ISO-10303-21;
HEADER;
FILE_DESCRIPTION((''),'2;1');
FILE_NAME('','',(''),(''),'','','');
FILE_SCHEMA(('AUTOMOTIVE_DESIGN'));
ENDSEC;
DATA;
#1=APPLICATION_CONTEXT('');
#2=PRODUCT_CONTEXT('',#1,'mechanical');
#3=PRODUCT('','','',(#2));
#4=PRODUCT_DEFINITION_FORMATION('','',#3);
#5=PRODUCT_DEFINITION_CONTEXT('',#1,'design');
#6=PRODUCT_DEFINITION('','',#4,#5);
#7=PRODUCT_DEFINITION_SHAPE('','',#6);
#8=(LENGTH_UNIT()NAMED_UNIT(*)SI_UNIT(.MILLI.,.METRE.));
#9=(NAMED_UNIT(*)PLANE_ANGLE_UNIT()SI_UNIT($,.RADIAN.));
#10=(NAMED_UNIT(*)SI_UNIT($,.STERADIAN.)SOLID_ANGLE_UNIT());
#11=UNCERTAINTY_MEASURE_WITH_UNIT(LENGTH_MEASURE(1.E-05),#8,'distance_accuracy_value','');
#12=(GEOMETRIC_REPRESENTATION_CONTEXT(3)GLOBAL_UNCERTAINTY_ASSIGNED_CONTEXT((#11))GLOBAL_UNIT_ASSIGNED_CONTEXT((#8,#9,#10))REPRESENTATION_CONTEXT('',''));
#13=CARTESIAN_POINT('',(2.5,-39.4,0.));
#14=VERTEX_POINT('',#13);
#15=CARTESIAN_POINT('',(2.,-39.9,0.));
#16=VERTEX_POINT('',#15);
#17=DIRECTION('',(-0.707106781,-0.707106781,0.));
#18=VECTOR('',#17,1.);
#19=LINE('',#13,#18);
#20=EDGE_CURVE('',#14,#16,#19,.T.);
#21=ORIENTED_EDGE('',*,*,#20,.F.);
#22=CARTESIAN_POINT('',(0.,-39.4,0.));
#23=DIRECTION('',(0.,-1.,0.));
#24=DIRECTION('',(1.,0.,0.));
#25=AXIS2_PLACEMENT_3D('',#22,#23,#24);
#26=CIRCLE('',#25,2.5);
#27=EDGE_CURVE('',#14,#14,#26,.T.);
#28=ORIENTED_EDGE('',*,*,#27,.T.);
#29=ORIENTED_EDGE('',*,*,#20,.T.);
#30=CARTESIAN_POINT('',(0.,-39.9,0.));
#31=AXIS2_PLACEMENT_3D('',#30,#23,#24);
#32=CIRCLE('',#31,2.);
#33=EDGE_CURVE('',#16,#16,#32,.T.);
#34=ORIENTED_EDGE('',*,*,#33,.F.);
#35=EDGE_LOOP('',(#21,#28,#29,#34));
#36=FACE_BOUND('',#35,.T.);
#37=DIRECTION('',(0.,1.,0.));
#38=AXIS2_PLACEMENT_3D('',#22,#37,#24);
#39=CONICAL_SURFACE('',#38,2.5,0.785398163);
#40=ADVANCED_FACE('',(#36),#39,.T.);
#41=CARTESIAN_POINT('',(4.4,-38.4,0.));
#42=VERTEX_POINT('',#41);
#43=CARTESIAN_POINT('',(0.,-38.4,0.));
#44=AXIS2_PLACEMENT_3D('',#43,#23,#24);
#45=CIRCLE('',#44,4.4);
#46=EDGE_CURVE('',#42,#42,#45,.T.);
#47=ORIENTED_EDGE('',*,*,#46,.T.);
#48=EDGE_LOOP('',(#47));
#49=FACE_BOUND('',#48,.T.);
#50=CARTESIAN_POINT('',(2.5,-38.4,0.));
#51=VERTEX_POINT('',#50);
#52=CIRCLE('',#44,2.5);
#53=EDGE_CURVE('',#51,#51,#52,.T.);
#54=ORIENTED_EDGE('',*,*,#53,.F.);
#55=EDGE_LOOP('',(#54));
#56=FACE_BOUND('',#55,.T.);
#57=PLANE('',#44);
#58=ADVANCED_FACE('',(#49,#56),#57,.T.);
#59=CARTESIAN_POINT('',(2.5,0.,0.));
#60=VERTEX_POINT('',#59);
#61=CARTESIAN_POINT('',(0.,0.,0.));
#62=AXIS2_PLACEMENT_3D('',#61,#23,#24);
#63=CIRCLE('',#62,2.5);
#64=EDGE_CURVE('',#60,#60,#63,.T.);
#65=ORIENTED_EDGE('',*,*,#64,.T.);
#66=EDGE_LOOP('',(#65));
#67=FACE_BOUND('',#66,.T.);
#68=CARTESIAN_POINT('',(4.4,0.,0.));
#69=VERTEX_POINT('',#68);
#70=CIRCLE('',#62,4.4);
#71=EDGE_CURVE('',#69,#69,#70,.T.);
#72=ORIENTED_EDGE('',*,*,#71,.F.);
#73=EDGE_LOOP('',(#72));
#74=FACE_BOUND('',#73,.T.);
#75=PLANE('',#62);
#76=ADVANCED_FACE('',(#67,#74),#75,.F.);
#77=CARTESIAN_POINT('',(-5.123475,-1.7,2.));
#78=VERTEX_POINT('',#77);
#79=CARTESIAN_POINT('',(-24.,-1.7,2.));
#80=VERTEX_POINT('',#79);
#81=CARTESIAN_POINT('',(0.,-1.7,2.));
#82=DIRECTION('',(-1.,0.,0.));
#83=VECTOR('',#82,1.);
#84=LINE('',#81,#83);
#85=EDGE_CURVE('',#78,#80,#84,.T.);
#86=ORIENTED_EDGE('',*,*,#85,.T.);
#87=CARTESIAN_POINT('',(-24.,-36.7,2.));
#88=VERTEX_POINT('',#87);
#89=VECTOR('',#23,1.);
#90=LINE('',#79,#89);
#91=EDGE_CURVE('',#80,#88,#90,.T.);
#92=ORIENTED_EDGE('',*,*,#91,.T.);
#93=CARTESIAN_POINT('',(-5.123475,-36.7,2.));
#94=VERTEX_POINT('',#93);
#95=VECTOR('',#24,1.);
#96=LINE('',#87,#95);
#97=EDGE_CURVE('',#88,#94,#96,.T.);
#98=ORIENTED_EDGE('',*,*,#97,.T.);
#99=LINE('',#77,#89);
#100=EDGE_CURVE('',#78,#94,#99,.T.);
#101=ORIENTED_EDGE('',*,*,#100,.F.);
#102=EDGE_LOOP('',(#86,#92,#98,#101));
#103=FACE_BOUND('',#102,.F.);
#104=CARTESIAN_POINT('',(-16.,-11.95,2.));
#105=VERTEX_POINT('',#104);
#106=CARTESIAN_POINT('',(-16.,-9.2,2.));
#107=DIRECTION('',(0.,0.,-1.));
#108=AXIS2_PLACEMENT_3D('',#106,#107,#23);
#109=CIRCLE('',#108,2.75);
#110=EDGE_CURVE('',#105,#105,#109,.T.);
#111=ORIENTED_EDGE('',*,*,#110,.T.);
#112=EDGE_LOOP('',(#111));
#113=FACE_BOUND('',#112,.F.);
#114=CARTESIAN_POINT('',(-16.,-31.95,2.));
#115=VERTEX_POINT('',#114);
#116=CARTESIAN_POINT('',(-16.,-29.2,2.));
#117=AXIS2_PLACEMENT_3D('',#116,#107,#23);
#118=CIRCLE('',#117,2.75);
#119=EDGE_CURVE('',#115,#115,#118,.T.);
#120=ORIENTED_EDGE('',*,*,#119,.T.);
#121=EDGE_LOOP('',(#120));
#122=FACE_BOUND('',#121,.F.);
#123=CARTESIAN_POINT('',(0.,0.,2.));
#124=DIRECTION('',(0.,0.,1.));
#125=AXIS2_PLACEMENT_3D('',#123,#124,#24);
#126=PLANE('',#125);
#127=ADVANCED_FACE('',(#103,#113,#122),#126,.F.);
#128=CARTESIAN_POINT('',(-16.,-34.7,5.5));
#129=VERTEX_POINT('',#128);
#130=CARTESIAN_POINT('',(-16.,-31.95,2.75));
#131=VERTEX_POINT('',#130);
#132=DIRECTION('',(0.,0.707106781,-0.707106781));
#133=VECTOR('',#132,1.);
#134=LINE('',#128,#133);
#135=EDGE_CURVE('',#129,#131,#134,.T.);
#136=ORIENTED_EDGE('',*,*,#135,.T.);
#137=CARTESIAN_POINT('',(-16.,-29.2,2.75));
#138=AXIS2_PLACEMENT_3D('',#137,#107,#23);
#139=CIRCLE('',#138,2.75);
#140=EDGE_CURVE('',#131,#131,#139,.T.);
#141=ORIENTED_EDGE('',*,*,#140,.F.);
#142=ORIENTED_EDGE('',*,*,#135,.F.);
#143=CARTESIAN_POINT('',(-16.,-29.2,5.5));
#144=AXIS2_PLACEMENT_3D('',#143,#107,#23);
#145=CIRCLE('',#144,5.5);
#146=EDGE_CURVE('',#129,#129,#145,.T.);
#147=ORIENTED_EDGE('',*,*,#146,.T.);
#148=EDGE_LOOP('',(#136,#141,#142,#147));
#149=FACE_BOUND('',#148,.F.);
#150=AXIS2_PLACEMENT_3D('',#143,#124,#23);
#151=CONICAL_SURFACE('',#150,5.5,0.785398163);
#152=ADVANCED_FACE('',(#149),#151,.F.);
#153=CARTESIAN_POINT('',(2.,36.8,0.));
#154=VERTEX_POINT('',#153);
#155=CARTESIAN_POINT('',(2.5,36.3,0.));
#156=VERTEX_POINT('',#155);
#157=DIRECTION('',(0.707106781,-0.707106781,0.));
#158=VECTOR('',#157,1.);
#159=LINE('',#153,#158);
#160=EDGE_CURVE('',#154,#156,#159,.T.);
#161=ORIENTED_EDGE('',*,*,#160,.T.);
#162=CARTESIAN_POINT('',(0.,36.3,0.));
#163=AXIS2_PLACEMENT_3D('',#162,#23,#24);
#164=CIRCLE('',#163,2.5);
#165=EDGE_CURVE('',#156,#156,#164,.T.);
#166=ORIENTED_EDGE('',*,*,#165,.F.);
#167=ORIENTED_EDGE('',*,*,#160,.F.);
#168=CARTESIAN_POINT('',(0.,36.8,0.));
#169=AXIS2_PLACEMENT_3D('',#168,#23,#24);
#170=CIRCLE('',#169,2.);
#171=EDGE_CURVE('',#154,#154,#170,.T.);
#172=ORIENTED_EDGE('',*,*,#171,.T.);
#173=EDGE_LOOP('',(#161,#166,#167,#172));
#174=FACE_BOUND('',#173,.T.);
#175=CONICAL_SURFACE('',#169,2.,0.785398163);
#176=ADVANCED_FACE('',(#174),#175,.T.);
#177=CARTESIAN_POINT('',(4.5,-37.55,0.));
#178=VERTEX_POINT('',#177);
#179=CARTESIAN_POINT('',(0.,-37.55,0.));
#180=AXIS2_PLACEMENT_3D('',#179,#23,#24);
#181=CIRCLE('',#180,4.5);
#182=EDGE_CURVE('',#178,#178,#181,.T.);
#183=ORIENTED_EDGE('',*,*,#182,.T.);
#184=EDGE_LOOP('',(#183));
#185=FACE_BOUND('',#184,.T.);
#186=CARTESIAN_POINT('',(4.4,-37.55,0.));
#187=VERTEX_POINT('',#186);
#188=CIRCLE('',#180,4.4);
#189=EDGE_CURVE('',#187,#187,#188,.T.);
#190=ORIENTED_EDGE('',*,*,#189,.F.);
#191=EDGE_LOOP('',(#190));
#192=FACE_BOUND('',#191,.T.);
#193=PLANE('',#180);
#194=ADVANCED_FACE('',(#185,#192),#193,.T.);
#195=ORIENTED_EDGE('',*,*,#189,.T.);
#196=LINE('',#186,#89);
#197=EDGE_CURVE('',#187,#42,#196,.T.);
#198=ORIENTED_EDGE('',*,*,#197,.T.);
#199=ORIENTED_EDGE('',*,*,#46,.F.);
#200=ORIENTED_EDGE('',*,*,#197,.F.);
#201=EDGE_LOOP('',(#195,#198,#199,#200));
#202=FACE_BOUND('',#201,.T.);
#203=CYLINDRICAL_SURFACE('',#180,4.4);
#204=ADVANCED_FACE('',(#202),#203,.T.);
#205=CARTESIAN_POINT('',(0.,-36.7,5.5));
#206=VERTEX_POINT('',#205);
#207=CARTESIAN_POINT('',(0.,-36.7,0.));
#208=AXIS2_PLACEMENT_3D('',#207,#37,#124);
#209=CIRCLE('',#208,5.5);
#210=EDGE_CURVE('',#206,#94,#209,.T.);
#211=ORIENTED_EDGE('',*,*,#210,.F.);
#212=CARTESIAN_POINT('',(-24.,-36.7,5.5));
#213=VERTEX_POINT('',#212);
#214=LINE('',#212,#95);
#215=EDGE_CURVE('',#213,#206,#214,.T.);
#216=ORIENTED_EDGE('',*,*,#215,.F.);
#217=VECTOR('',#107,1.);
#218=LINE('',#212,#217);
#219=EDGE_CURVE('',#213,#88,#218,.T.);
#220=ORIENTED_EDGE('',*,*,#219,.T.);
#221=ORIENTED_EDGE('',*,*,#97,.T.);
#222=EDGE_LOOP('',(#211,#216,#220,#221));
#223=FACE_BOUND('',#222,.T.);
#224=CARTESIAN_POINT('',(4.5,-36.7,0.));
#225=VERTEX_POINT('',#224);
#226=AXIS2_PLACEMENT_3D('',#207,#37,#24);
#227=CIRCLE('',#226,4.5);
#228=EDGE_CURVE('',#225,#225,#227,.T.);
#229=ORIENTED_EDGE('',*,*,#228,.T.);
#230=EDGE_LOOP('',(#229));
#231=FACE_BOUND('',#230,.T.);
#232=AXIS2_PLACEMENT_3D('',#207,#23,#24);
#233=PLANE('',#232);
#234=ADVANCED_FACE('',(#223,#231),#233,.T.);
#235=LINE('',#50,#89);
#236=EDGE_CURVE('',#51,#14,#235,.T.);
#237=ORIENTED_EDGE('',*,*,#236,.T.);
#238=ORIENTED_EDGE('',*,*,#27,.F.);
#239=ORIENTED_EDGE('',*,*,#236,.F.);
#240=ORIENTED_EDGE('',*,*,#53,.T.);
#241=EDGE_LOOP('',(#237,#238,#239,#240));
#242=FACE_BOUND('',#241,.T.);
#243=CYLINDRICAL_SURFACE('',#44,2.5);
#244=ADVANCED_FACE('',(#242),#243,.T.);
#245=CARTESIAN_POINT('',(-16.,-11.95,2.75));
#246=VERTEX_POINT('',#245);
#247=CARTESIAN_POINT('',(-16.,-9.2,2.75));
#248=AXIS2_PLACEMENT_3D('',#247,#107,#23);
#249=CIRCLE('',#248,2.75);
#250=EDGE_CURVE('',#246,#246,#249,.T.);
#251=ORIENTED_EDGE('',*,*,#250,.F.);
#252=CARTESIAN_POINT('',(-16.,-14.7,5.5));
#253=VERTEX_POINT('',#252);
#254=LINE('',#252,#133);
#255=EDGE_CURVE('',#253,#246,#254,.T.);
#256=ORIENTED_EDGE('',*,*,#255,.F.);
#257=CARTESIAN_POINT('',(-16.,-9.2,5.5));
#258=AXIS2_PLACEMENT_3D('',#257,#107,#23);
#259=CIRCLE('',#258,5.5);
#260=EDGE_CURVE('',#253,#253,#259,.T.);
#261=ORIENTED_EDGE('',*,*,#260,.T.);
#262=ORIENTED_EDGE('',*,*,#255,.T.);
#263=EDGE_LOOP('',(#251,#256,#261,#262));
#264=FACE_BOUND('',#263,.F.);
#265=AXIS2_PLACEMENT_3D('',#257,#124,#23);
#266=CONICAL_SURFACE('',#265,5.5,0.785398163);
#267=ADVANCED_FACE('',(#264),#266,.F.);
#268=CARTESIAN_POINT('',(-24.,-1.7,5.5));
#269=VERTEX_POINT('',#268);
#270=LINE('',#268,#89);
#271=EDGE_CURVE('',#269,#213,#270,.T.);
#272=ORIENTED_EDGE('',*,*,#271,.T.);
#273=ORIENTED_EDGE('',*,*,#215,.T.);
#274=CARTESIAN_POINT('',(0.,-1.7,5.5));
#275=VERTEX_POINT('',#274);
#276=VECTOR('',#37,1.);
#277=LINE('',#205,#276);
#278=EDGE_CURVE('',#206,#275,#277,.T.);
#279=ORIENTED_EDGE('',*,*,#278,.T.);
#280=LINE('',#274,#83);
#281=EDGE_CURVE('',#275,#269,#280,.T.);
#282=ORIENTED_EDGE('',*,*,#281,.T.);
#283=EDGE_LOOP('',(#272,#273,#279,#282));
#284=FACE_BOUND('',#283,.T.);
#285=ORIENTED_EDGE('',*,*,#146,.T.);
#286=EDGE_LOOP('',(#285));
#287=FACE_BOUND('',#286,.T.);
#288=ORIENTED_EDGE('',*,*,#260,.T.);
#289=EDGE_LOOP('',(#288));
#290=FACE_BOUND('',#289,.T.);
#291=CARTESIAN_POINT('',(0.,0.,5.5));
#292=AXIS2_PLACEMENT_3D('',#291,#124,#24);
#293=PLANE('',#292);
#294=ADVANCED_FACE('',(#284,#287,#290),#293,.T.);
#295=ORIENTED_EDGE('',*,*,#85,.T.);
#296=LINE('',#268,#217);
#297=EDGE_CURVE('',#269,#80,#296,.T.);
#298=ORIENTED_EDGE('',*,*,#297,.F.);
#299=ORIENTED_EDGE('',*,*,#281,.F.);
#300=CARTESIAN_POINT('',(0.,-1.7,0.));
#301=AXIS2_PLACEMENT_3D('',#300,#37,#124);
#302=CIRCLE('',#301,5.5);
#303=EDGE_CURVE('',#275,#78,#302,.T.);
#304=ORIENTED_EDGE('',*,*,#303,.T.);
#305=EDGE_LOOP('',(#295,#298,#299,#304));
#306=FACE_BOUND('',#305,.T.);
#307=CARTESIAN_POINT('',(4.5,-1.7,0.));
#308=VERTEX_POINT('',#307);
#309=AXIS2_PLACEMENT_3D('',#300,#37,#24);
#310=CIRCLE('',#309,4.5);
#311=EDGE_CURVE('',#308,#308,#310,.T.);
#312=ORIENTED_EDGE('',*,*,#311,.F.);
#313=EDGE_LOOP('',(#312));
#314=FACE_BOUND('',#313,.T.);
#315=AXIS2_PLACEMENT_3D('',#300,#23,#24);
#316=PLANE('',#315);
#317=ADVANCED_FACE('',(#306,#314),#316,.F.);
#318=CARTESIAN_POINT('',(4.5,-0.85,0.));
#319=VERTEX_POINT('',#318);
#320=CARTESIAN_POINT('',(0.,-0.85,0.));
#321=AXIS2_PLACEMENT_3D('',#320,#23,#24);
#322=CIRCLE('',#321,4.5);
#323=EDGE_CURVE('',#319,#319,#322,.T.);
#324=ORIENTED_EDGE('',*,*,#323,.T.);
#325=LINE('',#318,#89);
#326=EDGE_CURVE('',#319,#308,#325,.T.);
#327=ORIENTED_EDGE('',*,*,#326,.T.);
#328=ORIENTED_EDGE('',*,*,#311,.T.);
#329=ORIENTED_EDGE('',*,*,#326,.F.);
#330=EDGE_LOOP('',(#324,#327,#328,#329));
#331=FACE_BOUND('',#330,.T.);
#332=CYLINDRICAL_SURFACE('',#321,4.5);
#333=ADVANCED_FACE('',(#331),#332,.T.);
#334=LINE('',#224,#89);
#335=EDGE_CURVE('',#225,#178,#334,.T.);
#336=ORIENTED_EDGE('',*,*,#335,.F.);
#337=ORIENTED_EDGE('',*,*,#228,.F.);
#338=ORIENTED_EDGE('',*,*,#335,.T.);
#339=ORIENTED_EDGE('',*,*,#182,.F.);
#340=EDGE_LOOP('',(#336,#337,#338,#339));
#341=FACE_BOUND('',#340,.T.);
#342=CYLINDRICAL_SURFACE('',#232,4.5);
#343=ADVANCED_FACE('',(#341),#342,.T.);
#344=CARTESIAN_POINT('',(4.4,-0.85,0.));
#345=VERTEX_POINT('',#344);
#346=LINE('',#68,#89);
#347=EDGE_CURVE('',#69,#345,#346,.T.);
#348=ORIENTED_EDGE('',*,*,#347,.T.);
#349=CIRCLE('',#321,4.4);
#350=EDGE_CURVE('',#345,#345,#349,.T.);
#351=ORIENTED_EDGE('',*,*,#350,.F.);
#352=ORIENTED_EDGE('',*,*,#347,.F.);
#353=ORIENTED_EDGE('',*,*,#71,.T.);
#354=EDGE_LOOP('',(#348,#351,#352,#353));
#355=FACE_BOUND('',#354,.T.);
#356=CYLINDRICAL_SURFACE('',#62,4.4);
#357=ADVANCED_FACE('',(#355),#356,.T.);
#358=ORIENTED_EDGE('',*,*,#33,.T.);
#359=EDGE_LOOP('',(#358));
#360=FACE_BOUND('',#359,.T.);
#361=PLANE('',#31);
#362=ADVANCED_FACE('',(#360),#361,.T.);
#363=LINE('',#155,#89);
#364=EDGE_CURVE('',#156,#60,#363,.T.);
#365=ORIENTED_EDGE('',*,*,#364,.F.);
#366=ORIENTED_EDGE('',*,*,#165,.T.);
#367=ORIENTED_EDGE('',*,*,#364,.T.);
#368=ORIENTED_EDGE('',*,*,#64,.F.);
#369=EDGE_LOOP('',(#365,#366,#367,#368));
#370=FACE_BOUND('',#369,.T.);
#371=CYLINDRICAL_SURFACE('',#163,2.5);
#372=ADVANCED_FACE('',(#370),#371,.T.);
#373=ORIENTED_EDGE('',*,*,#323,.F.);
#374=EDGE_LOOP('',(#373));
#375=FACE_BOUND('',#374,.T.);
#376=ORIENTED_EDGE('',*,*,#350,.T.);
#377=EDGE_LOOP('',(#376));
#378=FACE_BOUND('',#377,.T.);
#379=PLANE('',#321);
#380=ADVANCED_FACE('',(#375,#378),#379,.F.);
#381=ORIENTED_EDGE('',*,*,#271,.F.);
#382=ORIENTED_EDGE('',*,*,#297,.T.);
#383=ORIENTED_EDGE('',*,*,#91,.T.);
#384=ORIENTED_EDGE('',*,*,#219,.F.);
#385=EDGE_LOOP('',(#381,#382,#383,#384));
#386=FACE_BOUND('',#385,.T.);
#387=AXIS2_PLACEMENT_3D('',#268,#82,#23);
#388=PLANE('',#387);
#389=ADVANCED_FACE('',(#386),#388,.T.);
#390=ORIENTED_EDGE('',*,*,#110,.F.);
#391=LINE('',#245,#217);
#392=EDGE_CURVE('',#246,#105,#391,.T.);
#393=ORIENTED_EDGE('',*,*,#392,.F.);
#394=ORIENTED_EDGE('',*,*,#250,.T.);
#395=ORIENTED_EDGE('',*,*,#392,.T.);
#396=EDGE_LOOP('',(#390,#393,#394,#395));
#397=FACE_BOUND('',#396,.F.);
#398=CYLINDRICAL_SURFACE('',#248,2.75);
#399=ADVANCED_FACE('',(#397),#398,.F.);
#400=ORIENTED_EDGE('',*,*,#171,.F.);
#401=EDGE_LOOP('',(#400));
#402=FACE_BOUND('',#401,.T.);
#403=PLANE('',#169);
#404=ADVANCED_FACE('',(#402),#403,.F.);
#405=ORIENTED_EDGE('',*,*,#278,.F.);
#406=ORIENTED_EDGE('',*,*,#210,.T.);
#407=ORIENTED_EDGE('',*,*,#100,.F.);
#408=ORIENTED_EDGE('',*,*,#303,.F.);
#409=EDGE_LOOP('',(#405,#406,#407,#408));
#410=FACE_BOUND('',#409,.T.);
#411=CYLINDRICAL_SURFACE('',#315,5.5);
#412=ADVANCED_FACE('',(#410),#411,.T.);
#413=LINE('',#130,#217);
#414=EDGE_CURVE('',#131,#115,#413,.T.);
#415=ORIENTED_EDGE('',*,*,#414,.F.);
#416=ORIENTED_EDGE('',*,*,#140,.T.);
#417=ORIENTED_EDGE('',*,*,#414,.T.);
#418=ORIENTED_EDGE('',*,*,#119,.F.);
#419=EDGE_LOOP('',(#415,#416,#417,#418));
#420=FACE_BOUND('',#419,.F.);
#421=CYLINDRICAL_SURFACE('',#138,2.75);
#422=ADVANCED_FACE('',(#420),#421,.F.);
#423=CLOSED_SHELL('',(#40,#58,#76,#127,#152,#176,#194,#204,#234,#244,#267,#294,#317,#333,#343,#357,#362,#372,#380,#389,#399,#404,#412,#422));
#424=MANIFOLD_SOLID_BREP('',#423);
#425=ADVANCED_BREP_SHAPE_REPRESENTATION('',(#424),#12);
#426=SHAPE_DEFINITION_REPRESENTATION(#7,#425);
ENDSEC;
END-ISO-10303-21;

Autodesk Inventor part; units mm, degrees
sketch "Sketch_1" plane through (0, 0, 0) normal (0, 0, 1) x (1, 0, 0)
  line L0 (0, -39.9) -> (0, 36.8)
  line L1 (0, 36.8) -> (2, 36.8)
  line L2 (2, 36.8) -> (2.5, 36.3)
  line L3 (2.5, 36.3) -> (2.5, 0)
  line L4 (2.5, 0) -> (4.4, 0)
  line L5 (4.4, 0) -> (4.4, -0.85)
  line L6 (4.4, -0.85) -> (4.5, -0.85)
  line L7 (4.5, -0.85) -> (4.5, -1.7)
  line L8 (4.5, -1.7) -> (5.5, -1.7)
  line L9 (5.5, -1.7) -> (5.5, -36.7)
  line L10 (5.5, -36.7) -> (4.5, -36.7)
  line L11 (4.5, -36.7) -> (4.5, -37.55)
  line L12 (4.5, -37.55) -> (4.4, -37.55)
  line L13 (4.4, -37.55) -> (4.4, -38.4)
  line L14 (4.4, -38.4) -> (2.5, -38.4)
  line L15 (2.5, -38.4) -> (2.5, -39.4)
  line L16 (2.5, -39.4) -> (2, -39.9)
  line L17 (2, -39.9) -> (0, -39.9)
  line L18 (0, -39.9) -> (0, 36.8)
revolve "Revolution1" add sketch "Sketch_1" angle 360 about axis through (0, -39.9, 0) along (0, -1, 0)
sketch "Sketch_3" plane through (0, 0, 5.5) normal (0, 0, 1) x (1, 0, 0)
  line L0 (-24, -36.7) -> (0, -36.7)
  line L1 (0, -36.7) -> (0, -1.7)
  line L2 (0, -1.7) -> (-24, -1.7)
  line L3 (-24, -1.7) -> (-24, -36.7)
extrude "Extrusion1" add sketch "Sketch_3" against normal blind 3.5
sketch "Sketch3" plane through (0, 0, 5.5) normal (0, 0, 1) x (1, 0, 0)
  point P0 (-16, -9.2)
hole "Hole1" at (-16, -9.2, 5.5) direction (0, 0, -1) diameter 5.5 depth 3.5 countersink diameter 11 countersink angle 90
sketch "Sketch4" plane through (0, 0, 5.5) normal (0, 0, 1) x (1, 0, 0)
  point P0 (-16, -29.2)
hole "Hole2" at (-16, -29.2, 5.5) direction (0, 0, -1) diameter 5.5 depth 3.5 countersink diameter 11 countersink angle 90
ref_plane "1_XY" through (0, 0, 0) normal (0, 1, 0) x (1, 0, 0)
ref_plane "1_YZ" through (0, 0, 0) normal (1, 0, 0) x (0, 0, -1)
ref_plane "1_ZX" through (0, 0, 0) normal (0, 0, -1) x (0, 1, 0)
ref_plane "to_bolt1_XY" through (16, -9.2, 5.5) normal (0, 0, 1) x (1, 0, 0)
ref_plane "to_bolt1_YZ" through (16, -9.2, 5.5) normal (1, 0, 0) x (0, 1, 0)
ref_plane "to_bolt1_ZX" through (16, -9.2, 5.5) normal (0, 1, 0) x (0, 0, 1)
ref_plane "to_bolt1_r_XY" through (-16, -9.2, 5.5) normal (0, 0, 1) x (1, 0, 0)
ref_plane "to_bolt1_r_YZ" through (-16, -9.2, 5.5) normal (1, 0, 0) x (0, 1, 0)
ref_plane "to_bolt1_r_ZX" through (-16, -9.2, 5.5) normal (0, 1, 0) x (0, 0, 1)
ref_plane "to_bolt2_XY" through (16, -29.2, 5.5) normal (0, 0, 1) x (1, 0, 0)
ref_plane "to_bolt2_YZ" through (16, -29.2, 5.5) normal (1, 0, 0) x (0, 1, 0)
ref_plane "to_bolt2_ZX" through (16, -29.2, 5.5) normal (0, 1, 0) x (0, 0, 1)
ref_plane "to_bolt2_r_XY" through (-16, -29.2, 5.5) normal (0, 0, 1) x (1, 0, 0)
ref_plane "to_bolt2_r_YZ" through (-16, -29.2, 5.5) normal (1, 0, 0) x (0, 1, 0)
ref_plane "to_bolt2_r_ZX" through (-16, -29.2, 5.5) normal (0, 1, 0) x (0, 0, 1)
properties part number "HHPFRN5-1"
